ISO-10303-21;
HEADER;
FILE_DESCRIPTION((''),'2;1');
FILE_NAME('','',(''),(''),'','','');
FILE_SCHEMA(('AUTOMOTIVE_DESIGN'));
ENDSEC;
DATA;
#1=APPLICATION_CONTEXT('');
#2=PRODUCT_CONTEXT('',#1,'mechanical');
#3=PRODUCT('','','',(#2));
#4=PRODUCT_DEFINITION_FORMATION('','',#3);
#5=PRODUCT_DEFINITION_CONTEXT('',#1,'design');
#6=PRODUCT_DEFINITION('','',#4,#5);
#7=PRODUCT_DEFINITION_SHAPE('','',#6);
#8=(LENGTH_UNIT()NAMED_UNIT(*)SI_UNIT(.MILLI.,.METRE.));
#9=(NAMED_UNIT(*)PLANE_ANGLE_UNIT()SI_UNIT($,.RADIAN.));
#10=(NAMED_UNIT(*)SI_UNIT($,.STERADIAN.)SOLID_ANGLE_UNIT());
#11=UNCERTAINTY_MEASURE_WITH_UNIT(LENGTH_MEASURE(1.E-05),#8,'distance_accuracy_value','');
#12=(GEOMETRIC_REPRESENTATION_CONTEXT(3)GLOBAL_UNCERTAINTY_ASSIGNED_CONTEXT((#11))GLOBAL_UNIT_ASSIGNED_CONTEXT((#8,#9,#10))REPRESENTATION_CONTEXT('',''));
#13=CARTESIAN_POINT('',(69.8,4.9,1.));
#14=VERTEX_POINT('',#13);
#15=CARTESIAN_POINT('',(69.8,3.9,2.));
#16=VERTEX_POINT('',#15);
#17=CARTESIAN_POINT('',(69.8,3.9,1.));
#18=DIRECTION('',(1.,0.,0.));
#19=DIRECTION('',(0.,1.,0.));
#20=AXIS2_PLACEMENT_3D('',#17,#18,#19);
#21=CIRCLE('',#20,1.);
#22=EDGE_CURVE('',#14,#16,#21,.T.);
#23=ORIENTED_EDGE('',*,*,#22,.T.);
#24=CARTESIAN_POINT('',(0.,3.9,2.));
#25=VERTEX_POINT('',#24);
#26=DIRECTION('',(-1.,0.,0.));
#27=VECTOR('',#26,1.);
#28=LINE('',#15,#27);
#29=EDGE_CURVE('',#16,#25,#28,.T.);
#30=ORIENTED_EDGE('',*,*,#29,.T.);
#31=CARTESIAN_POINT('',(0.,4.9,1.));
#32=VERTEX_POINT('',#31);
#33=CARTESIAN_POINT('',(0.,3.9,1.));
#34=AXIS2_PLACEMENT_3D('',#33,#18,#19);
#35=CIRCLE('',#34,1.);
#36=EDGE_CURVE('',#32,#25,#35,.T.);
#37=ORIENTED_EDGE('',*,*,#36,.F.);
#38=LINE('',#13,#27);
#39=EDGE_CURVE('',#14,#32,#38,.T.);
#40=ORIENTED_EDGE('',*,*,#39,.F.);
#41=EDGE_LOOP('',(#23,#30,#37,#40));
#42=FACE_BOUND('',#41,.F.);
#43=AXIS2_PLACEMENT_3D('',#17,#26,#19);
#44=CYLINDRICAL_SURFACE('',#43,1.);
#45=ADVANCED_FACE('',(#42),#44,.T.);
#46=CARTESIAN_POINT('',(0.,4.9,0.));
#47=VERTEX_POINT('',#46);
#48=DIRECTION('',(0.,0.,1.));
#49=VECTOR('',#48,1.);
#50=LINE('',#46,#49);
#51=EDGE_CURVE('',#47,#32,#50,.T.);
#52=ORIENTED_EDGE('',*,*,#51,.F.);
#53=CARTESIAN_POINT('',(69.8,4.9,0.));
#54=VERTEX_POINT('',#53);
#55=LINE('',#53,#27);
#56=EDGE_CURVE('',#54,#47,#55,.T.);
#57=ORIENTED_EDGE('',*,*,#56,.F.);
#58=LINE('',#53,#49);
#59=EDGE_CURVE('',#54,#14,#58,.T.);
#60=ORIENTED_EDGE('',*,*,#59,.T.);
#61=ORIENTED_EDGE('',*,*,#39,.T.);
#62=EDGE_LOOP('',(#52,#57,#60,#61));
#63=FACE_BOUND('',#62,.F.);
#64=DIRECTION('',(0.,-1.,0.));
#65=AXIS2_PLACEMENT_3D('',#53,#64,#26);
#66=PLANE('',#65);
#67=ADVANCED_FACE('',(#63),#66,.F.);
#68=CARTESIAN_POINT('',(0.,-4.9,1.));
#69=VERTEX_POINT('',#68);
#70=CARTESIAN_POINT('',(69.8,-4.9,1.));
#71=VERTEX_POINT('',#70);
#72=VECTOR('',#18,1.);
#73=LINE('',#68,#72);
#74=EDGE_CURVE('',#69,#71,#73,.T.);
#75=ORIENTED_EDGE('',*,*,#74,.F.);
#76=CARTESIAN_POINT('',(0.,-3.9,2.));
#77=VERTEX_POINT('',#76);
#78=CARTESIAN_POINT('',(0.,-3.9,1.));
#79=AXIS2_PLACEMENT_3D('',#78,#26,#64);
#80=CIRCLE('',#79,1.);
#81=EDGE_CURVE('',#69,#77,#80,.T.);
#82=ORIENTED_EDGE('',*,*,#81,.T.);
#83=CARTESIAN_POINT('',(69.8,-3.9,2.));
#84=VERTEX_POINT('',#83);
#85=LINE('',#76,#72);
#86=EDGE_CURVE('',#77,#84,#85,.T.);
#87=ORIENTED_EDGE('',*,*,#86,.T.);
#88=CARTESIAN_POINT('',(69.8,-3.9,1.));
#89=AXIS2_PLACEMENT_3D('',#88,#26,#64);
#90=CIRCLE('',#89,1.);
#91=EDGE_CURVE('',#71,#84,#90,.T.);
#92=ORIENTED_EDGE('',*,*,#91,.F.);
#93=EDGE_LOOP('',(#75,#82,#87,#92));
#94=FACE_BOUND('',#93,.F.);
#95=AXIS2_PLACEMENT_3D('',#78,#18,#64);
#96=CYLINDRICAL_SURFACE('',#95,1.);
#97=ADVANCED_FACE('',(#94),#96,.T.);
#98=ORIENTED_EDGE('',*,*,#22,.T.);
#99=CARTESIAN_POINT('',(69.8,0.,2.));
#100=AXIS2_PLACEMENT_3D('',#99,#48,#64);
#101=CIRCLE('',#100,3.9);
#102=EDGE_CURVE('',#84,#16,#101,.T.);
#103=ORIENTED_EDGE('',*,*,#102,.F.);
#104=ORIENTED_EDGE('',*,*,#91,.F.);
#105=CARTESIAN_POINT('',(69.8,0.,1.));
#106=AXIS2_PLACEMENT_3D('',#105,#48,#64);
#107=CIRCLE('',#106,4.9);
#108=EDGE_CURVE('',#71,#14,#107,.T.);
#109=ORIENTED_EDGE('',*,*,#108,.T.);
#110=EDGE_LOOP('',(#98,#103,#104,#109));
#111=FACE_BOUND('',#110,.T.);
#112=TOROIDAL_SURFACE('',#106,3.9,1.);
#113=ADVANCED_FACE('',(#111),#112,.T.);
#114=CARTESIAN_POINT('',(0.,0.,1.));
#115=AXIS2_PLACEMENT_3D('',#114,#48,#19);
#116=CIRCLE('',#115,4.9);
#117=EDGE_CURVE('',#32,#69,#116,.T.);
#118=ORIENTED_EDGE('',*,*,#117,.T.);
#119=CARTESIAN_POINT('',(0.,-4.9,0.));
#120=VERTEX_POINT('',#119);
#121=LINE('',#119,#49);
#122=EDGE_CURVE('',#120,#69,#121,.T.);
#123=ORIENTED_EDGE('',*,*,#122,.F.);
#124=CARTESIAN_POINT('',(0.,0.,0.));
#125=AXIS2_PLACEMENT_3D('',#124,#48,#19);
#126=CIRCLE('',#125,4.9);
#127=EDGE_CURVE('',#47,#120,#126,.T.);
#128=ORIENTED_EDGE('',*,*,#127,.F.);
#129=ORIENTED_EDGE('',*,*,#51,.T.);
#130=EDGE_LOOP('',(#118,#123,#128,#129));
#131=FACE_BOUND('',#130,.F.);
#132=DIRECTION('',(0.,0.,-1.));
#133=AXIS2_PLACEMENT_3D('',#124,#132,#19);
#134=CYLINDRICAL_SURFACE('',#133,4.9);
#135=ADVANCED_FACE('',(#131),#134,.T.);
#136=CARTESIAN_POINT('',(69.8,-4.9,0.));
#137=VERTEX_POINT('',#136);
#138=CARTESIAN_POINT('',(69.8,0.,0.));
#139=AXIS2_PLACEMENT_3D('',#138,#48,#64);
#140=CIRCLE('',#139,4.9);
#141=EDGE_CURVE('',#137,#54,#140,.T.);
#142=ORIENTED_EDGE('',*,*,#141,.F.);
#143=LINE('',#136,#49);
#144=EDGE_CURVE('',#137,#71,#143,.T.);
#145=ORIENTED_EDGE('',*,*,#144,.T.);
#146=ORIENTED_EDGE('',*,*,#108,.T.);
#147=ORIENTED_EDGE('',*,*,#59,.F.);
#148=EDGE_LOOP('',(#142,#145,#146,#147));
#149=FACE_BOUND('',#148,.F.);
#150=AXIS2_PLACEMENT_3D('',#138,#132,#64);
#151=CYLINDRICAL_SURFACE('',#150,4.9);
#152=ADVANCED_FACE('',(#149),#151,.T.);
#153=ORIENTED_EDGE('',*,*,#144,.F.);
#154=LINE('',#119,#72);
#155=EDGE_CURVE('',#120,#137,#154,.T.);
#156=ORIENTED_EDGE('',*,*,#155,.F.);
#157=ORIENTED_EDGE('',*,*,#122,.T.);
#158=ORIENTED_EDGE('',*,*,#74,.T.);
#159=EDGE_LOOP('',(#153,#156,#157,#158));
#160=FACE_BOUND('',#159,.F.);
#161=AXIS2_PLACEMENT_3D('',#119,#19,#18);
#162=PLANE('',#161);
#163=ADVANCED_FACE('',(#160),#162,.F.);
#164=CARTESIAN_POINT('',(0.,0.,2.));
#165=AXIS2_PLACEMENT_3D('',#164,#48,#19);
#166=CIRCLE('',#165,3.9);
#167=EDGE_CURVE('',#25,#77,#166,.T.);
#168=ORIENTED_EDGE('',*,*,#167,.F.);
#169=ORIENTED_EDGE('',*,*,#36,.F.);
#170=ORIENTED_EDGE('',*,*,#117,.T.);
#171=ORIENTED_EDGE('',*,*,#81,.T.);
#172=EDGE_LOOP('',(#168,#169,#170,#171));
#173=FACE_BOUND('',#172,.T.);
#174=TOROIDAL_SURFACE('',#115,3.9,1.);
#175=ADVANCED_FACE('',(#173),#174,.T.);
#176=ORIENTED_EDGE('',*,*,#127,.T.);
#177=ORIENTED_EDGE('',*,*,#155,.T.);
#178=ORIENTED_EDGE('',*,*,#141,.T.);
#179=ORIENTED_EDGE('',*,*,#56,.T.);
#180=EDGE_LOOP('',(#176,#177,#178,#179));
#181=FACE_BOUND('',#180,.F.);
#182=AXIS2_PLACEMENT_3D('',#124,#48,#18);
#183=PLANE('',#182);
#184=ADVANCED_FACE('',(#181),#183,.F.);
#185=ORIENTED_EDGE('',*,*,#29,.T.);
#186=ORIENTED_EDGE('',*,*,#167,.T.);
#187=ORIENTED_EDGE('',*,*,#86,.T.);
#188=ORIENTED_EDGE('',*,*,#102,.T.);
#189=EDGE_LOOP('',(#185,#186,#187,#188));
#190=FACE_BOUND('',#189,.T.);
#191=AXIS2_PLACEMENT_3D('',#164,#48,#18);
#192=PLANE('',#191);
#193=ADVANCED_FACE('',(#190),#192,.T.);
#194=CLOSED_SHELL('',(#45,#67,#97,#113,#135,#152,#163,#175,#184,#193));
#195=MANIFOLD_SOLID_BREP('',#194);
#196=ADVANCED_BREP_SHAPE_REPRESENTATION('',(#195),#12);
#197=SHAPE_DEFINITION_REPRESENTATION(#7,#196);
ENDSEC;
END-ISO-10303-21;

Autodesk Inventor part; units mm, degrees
ref_plane "YZ Plane" through (0, 0, 0) normal (1, 0, 0) x (0, 1, 0)
ref_plane "XZ Plane" through (0, 0, 0) normal (0, 1, 0) x (-1, 0, 0)
ref_plane "XY Plane" through (0, 0, 0) normal (0, 0, 1) x (1, 0, 0)
sketch "Sketch1" plane through (0, 0, 0) normal (0, 0, 1) x (1, 0, 0)
  line L0 (0, 0) -> (69.8, 0) construction
  line L1 (0, -4.9) -> (69.8, -4.9)
  line L2 (69.8, 4.9) -> (0, 4.9)
  arc A0 (0, 4.9) -> (0, -4.9) centre (0, 0) ccw
  arc A1 (69.8, -4.9) -> (69.8, 4.9) centre (69.8, 0) ccw
  point P0 (34.9, 0)
  dimension "d0" = 69.8
  dimension "d1" = 9.8
extrude "Extrusion1" add sketch "Sketch1" along normal blind 2
fillet "Fillet1" radius 1 4 edges at (-4.9, 0, 2) (34.9, -4.9, 2) (74.7, 0, 2) (34.9, 4.9, 2)
properties part number "foot"
